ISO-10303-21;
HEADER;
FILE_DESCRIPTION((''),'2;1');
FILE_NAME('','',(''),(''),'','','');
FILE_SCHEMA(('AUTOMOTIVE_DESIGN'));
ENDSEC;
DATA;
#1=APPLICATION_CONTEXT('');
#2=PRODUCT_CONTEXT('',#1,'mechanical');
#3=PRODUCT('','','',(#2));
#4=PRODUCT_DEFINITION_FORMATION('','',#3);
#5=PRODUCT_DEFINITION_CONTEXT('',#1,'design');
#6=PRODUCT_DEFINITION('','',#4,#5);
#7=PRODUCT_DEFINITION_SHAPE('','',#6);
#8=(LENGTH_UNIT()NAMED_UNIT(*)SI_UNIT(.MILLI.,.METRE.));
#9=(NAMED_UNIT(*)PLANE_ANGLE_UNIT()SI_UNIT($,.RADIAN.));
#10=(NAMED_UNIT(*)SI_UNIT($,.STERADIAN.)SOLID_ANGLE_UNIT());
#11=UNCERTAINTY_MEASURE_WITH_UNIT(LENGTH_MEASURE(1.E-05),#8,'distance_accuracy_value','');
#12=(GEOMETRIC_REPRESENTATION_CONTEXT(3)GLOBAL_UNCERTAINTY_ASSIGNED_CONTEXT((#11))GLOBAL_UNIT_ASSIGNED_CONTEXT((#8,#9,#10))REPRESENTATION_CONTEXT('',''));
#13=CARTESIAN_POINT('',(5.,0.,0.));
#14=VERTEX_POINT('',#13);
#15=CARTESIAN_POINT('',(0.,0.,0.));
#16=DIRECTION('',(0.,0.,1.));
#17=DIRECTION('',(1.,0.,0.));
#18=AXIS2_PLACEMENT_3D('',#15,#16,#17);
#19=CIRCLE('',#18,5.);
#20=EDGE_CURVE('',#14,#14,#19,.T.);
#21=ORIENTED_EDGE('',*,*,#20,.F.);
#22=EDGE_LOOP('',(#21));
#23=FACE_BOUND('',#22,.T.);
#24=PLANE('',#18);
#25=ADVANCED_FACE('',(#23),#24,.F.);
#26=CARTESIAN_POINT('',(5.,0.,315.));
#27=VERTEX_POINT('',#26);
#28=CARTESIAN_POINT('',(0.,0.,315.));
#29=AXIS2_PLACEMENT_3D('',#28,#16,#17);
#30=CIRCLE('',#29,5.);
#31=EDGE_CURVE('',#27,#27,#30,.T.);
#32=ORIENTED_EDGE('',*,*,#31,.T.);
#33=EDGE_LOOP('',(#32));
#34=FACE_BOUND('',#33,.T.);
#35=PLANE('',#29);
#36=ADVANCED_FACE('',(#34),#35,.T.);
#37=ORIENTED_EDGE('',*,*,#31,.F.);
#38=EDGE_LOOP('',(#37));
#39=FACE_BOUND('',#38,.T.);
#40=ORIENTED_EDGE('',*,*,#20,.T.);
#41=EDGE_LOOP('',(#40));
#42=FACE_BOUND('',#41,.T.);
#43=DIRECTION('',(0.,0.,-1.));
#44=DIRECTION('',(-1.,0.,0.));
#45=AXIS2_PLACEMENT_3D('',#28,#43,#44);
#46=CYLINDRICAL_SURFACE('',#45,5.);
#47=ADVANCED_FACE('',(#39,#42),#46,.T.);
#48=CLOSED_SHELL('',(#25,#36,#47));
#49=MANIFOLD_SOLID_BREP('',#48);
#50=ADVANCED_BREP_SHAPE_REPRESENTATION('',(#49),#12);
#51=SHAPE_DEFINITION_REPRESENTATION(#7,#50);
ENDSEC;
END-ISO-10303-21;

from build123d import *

# Parameters (mm, degrees)
SKETCH1_R           = 5
BOSS_EXTRUDE1_DEPTH = 315


with BuildPart() as part:
    # Sketch1 → Boss-Extrude1 (new body)
    with BuildSketch(Plane(origin=(0, 0, 0), x_dir=(0, 1, 0), z_dir=(0, 0, 1))):
        with Locations(Location((0, 0, 0), (0, 0, 270))):
            Circle(SKETCH1_R)
    extrude(amount=BOSS_EXTRUDE1_DEPTH)


solid = part.part
